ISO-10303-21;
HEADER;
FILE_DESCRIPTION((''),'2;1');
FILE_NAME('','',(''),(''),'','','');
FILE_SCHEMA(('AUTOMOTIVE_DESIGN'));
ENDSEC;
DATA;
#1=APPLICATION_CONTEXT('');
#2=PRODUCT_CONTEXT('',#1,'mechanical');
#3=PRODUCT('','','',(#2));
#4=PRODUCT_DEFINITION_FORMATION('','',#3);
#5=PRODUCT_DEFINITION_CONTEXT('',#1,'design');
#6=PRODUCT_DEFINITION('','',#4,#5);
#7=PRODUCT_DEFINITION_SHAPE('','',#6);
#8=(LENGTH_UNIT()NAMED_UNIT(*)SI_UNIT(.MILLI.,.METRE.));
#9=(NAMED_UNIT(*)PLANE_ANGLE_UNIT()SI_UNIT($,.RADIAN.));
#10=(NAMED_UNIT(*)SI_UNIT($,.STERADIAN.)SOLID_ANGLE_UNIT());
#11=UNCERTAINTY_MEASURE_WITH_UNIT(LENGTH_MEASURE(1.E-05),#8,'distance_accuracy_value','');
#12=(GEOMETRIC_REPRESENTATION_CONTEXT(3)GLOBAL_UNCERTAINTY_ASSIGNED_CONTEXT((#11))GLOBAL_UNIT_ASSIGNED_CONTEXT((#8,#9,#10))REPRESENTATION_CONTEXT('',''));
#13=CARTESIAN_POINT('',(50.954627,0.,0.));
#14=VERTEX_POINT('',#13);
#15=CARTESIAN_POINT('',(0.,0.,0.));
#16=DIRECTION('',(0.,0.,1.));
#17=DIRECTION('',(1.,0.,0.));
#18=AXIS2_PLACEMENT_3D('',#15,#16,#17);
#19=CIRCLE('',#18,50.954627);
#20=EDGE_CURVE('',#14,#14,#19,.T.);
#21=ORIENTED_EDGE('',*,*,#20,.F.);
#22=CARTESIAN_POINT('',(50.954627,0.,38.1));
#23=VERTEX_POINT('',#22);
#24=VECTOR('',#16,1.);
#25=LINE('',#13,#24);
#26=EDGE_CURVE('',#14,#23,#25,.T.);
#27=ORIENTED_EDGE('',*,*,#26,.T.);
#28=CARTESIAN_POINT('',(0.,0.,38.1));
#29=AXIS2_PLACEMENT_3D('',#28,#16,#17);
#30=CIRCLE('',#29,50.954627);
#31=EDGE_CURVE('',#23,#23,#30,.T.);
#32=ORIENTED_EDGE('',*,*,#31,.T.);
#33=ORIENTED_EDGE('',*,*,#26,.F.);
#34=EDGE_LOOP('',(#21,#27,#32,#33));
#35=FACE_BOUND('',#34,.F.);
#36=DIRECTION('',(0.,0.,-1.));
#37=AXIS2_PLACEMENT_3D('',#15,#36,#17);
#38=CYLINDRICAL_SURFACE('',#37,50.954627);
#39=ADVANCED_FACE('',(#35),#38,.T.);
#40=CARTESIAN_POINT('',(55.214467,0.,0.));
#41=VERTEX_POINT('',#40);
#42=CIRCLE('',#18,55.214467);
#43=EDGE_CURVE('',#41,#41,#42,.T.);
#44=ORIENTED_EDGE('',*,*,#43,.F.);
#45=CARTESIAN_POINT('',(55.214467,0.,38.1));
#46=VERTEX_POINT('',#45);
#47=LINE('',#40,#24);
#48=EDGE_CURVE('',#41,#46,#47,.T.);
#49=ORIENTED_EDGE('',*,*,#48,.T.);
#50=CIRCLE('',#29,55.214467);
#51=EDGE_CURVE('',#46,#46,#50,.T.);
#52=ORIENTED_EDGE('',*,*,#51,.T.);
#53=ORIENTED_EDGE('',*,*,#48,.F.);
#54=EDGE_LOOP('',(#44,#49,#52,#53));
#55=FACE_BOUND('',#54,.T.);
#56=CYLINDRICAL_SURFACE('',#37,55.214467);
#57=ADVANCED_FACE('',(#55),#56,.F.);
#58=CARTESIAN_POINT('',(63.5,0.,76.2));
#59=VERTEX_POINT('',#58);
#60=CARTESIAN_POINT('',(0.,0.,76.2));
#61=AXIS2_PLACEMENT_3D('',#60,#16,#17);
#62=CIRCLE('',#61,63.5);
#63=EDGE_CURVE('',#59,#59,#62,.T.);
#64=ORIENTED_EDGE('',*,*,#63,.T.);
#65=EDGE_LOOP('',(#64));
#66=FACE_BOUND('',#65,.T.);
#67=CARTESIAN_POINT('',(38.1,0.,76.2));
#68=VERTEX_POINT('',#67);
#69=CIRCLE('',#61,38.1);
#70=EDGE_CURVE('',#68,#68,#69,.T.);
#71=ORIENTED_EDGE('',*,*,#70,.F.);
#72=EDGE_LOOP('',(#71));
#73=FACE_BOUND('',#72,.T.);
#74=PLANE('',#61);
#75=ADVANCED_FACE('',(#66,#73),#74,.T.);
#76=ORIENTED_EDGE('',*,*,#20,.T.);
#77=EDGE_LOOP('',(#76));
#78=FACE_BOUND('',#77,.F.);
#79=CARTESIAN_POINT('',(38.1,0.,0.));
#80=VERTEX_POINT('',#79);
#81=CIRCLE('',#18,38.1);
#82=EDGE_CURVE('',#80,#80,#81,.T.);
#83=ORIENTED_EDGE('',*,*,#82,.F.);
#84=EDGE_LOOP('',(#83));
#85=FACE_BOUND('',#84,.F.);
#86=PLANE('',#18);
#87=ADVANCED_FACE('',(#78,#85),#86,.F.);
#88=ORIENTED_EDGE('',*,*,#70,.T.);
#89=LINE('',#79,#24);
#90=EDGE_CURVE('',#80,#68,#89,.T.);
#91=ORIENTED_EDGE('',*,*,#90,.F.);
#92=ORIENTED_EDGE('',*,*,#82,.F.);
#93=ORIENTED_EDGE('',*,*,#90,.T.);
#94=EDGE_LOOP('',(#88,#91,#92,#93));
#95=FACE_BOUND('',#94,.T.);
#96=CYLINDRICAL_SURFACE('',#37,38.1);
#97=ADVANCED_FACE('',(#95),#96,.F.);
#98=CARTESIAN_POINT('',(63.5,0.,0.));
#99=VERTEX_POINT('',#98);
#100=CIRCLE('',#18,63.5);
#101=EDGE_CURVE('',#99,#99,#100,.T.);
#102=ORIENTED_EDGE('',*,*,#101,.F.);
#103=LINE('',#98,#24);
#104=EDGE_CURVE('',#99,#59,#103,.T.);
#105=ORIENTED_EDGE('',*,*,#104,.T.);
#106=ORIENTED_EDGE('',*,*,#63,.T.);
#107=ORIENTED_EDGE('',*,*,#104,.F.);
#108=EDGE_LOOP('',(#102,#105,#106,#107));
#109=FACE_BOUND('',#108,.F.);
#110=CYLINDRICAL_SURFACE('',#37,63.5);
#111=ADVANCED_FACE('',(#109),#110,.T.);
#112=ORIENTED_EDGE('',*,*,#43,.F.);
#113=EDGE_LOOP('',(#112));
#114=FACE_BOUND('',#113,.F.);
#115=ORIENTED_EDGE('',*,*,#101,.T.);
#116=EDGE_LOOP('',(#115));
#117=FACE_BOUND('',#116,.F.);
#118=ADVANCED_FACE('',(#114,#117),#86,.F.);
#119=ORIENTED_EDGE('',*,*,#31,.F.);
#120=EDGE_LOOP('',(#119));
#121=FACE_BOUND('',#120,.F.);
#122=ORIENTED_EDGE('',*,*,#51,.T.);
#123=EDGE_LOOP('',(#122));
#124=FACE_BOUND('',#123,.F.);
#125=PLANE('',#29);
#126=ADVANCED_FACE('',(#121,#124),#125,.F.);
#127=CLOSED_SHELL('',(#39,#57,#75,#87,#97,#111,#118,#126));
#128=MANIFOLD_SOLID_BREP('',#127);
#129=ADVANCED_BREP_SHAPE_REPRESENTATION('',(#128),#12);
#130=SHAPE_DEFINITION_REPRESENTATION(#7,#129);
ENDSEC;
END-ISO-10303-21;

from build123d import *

# Parameters (mm, degrees)
F0_R     = 63.5
F0_R_2   = 38.1
F1_DEPTH = 76.2
F2_R     = 55.214467
F2_R_2   = 50.954627
F3_DEPTH = 38.1


with BuildPart() as f1:
    # F0 (on Top) → F1 (new body)
    with BuildSketch(Plane.XY):
        Circle(F0_R)
        Circle(F0_R_2, mode=Mode.SUBTRACT)
    extrude(amount=F1_DEPTH)

    # F2 (on Top) → F3 (cut)
    with BuildSketch(Plane.XY):
        Circle(F2_R)
        Circle(F2_R_2, mode=Mode.SUBTRACT)
    extrude(amount=F3_DEPTH, mode=Mode.SUBTRACT)


solid = f1.part
